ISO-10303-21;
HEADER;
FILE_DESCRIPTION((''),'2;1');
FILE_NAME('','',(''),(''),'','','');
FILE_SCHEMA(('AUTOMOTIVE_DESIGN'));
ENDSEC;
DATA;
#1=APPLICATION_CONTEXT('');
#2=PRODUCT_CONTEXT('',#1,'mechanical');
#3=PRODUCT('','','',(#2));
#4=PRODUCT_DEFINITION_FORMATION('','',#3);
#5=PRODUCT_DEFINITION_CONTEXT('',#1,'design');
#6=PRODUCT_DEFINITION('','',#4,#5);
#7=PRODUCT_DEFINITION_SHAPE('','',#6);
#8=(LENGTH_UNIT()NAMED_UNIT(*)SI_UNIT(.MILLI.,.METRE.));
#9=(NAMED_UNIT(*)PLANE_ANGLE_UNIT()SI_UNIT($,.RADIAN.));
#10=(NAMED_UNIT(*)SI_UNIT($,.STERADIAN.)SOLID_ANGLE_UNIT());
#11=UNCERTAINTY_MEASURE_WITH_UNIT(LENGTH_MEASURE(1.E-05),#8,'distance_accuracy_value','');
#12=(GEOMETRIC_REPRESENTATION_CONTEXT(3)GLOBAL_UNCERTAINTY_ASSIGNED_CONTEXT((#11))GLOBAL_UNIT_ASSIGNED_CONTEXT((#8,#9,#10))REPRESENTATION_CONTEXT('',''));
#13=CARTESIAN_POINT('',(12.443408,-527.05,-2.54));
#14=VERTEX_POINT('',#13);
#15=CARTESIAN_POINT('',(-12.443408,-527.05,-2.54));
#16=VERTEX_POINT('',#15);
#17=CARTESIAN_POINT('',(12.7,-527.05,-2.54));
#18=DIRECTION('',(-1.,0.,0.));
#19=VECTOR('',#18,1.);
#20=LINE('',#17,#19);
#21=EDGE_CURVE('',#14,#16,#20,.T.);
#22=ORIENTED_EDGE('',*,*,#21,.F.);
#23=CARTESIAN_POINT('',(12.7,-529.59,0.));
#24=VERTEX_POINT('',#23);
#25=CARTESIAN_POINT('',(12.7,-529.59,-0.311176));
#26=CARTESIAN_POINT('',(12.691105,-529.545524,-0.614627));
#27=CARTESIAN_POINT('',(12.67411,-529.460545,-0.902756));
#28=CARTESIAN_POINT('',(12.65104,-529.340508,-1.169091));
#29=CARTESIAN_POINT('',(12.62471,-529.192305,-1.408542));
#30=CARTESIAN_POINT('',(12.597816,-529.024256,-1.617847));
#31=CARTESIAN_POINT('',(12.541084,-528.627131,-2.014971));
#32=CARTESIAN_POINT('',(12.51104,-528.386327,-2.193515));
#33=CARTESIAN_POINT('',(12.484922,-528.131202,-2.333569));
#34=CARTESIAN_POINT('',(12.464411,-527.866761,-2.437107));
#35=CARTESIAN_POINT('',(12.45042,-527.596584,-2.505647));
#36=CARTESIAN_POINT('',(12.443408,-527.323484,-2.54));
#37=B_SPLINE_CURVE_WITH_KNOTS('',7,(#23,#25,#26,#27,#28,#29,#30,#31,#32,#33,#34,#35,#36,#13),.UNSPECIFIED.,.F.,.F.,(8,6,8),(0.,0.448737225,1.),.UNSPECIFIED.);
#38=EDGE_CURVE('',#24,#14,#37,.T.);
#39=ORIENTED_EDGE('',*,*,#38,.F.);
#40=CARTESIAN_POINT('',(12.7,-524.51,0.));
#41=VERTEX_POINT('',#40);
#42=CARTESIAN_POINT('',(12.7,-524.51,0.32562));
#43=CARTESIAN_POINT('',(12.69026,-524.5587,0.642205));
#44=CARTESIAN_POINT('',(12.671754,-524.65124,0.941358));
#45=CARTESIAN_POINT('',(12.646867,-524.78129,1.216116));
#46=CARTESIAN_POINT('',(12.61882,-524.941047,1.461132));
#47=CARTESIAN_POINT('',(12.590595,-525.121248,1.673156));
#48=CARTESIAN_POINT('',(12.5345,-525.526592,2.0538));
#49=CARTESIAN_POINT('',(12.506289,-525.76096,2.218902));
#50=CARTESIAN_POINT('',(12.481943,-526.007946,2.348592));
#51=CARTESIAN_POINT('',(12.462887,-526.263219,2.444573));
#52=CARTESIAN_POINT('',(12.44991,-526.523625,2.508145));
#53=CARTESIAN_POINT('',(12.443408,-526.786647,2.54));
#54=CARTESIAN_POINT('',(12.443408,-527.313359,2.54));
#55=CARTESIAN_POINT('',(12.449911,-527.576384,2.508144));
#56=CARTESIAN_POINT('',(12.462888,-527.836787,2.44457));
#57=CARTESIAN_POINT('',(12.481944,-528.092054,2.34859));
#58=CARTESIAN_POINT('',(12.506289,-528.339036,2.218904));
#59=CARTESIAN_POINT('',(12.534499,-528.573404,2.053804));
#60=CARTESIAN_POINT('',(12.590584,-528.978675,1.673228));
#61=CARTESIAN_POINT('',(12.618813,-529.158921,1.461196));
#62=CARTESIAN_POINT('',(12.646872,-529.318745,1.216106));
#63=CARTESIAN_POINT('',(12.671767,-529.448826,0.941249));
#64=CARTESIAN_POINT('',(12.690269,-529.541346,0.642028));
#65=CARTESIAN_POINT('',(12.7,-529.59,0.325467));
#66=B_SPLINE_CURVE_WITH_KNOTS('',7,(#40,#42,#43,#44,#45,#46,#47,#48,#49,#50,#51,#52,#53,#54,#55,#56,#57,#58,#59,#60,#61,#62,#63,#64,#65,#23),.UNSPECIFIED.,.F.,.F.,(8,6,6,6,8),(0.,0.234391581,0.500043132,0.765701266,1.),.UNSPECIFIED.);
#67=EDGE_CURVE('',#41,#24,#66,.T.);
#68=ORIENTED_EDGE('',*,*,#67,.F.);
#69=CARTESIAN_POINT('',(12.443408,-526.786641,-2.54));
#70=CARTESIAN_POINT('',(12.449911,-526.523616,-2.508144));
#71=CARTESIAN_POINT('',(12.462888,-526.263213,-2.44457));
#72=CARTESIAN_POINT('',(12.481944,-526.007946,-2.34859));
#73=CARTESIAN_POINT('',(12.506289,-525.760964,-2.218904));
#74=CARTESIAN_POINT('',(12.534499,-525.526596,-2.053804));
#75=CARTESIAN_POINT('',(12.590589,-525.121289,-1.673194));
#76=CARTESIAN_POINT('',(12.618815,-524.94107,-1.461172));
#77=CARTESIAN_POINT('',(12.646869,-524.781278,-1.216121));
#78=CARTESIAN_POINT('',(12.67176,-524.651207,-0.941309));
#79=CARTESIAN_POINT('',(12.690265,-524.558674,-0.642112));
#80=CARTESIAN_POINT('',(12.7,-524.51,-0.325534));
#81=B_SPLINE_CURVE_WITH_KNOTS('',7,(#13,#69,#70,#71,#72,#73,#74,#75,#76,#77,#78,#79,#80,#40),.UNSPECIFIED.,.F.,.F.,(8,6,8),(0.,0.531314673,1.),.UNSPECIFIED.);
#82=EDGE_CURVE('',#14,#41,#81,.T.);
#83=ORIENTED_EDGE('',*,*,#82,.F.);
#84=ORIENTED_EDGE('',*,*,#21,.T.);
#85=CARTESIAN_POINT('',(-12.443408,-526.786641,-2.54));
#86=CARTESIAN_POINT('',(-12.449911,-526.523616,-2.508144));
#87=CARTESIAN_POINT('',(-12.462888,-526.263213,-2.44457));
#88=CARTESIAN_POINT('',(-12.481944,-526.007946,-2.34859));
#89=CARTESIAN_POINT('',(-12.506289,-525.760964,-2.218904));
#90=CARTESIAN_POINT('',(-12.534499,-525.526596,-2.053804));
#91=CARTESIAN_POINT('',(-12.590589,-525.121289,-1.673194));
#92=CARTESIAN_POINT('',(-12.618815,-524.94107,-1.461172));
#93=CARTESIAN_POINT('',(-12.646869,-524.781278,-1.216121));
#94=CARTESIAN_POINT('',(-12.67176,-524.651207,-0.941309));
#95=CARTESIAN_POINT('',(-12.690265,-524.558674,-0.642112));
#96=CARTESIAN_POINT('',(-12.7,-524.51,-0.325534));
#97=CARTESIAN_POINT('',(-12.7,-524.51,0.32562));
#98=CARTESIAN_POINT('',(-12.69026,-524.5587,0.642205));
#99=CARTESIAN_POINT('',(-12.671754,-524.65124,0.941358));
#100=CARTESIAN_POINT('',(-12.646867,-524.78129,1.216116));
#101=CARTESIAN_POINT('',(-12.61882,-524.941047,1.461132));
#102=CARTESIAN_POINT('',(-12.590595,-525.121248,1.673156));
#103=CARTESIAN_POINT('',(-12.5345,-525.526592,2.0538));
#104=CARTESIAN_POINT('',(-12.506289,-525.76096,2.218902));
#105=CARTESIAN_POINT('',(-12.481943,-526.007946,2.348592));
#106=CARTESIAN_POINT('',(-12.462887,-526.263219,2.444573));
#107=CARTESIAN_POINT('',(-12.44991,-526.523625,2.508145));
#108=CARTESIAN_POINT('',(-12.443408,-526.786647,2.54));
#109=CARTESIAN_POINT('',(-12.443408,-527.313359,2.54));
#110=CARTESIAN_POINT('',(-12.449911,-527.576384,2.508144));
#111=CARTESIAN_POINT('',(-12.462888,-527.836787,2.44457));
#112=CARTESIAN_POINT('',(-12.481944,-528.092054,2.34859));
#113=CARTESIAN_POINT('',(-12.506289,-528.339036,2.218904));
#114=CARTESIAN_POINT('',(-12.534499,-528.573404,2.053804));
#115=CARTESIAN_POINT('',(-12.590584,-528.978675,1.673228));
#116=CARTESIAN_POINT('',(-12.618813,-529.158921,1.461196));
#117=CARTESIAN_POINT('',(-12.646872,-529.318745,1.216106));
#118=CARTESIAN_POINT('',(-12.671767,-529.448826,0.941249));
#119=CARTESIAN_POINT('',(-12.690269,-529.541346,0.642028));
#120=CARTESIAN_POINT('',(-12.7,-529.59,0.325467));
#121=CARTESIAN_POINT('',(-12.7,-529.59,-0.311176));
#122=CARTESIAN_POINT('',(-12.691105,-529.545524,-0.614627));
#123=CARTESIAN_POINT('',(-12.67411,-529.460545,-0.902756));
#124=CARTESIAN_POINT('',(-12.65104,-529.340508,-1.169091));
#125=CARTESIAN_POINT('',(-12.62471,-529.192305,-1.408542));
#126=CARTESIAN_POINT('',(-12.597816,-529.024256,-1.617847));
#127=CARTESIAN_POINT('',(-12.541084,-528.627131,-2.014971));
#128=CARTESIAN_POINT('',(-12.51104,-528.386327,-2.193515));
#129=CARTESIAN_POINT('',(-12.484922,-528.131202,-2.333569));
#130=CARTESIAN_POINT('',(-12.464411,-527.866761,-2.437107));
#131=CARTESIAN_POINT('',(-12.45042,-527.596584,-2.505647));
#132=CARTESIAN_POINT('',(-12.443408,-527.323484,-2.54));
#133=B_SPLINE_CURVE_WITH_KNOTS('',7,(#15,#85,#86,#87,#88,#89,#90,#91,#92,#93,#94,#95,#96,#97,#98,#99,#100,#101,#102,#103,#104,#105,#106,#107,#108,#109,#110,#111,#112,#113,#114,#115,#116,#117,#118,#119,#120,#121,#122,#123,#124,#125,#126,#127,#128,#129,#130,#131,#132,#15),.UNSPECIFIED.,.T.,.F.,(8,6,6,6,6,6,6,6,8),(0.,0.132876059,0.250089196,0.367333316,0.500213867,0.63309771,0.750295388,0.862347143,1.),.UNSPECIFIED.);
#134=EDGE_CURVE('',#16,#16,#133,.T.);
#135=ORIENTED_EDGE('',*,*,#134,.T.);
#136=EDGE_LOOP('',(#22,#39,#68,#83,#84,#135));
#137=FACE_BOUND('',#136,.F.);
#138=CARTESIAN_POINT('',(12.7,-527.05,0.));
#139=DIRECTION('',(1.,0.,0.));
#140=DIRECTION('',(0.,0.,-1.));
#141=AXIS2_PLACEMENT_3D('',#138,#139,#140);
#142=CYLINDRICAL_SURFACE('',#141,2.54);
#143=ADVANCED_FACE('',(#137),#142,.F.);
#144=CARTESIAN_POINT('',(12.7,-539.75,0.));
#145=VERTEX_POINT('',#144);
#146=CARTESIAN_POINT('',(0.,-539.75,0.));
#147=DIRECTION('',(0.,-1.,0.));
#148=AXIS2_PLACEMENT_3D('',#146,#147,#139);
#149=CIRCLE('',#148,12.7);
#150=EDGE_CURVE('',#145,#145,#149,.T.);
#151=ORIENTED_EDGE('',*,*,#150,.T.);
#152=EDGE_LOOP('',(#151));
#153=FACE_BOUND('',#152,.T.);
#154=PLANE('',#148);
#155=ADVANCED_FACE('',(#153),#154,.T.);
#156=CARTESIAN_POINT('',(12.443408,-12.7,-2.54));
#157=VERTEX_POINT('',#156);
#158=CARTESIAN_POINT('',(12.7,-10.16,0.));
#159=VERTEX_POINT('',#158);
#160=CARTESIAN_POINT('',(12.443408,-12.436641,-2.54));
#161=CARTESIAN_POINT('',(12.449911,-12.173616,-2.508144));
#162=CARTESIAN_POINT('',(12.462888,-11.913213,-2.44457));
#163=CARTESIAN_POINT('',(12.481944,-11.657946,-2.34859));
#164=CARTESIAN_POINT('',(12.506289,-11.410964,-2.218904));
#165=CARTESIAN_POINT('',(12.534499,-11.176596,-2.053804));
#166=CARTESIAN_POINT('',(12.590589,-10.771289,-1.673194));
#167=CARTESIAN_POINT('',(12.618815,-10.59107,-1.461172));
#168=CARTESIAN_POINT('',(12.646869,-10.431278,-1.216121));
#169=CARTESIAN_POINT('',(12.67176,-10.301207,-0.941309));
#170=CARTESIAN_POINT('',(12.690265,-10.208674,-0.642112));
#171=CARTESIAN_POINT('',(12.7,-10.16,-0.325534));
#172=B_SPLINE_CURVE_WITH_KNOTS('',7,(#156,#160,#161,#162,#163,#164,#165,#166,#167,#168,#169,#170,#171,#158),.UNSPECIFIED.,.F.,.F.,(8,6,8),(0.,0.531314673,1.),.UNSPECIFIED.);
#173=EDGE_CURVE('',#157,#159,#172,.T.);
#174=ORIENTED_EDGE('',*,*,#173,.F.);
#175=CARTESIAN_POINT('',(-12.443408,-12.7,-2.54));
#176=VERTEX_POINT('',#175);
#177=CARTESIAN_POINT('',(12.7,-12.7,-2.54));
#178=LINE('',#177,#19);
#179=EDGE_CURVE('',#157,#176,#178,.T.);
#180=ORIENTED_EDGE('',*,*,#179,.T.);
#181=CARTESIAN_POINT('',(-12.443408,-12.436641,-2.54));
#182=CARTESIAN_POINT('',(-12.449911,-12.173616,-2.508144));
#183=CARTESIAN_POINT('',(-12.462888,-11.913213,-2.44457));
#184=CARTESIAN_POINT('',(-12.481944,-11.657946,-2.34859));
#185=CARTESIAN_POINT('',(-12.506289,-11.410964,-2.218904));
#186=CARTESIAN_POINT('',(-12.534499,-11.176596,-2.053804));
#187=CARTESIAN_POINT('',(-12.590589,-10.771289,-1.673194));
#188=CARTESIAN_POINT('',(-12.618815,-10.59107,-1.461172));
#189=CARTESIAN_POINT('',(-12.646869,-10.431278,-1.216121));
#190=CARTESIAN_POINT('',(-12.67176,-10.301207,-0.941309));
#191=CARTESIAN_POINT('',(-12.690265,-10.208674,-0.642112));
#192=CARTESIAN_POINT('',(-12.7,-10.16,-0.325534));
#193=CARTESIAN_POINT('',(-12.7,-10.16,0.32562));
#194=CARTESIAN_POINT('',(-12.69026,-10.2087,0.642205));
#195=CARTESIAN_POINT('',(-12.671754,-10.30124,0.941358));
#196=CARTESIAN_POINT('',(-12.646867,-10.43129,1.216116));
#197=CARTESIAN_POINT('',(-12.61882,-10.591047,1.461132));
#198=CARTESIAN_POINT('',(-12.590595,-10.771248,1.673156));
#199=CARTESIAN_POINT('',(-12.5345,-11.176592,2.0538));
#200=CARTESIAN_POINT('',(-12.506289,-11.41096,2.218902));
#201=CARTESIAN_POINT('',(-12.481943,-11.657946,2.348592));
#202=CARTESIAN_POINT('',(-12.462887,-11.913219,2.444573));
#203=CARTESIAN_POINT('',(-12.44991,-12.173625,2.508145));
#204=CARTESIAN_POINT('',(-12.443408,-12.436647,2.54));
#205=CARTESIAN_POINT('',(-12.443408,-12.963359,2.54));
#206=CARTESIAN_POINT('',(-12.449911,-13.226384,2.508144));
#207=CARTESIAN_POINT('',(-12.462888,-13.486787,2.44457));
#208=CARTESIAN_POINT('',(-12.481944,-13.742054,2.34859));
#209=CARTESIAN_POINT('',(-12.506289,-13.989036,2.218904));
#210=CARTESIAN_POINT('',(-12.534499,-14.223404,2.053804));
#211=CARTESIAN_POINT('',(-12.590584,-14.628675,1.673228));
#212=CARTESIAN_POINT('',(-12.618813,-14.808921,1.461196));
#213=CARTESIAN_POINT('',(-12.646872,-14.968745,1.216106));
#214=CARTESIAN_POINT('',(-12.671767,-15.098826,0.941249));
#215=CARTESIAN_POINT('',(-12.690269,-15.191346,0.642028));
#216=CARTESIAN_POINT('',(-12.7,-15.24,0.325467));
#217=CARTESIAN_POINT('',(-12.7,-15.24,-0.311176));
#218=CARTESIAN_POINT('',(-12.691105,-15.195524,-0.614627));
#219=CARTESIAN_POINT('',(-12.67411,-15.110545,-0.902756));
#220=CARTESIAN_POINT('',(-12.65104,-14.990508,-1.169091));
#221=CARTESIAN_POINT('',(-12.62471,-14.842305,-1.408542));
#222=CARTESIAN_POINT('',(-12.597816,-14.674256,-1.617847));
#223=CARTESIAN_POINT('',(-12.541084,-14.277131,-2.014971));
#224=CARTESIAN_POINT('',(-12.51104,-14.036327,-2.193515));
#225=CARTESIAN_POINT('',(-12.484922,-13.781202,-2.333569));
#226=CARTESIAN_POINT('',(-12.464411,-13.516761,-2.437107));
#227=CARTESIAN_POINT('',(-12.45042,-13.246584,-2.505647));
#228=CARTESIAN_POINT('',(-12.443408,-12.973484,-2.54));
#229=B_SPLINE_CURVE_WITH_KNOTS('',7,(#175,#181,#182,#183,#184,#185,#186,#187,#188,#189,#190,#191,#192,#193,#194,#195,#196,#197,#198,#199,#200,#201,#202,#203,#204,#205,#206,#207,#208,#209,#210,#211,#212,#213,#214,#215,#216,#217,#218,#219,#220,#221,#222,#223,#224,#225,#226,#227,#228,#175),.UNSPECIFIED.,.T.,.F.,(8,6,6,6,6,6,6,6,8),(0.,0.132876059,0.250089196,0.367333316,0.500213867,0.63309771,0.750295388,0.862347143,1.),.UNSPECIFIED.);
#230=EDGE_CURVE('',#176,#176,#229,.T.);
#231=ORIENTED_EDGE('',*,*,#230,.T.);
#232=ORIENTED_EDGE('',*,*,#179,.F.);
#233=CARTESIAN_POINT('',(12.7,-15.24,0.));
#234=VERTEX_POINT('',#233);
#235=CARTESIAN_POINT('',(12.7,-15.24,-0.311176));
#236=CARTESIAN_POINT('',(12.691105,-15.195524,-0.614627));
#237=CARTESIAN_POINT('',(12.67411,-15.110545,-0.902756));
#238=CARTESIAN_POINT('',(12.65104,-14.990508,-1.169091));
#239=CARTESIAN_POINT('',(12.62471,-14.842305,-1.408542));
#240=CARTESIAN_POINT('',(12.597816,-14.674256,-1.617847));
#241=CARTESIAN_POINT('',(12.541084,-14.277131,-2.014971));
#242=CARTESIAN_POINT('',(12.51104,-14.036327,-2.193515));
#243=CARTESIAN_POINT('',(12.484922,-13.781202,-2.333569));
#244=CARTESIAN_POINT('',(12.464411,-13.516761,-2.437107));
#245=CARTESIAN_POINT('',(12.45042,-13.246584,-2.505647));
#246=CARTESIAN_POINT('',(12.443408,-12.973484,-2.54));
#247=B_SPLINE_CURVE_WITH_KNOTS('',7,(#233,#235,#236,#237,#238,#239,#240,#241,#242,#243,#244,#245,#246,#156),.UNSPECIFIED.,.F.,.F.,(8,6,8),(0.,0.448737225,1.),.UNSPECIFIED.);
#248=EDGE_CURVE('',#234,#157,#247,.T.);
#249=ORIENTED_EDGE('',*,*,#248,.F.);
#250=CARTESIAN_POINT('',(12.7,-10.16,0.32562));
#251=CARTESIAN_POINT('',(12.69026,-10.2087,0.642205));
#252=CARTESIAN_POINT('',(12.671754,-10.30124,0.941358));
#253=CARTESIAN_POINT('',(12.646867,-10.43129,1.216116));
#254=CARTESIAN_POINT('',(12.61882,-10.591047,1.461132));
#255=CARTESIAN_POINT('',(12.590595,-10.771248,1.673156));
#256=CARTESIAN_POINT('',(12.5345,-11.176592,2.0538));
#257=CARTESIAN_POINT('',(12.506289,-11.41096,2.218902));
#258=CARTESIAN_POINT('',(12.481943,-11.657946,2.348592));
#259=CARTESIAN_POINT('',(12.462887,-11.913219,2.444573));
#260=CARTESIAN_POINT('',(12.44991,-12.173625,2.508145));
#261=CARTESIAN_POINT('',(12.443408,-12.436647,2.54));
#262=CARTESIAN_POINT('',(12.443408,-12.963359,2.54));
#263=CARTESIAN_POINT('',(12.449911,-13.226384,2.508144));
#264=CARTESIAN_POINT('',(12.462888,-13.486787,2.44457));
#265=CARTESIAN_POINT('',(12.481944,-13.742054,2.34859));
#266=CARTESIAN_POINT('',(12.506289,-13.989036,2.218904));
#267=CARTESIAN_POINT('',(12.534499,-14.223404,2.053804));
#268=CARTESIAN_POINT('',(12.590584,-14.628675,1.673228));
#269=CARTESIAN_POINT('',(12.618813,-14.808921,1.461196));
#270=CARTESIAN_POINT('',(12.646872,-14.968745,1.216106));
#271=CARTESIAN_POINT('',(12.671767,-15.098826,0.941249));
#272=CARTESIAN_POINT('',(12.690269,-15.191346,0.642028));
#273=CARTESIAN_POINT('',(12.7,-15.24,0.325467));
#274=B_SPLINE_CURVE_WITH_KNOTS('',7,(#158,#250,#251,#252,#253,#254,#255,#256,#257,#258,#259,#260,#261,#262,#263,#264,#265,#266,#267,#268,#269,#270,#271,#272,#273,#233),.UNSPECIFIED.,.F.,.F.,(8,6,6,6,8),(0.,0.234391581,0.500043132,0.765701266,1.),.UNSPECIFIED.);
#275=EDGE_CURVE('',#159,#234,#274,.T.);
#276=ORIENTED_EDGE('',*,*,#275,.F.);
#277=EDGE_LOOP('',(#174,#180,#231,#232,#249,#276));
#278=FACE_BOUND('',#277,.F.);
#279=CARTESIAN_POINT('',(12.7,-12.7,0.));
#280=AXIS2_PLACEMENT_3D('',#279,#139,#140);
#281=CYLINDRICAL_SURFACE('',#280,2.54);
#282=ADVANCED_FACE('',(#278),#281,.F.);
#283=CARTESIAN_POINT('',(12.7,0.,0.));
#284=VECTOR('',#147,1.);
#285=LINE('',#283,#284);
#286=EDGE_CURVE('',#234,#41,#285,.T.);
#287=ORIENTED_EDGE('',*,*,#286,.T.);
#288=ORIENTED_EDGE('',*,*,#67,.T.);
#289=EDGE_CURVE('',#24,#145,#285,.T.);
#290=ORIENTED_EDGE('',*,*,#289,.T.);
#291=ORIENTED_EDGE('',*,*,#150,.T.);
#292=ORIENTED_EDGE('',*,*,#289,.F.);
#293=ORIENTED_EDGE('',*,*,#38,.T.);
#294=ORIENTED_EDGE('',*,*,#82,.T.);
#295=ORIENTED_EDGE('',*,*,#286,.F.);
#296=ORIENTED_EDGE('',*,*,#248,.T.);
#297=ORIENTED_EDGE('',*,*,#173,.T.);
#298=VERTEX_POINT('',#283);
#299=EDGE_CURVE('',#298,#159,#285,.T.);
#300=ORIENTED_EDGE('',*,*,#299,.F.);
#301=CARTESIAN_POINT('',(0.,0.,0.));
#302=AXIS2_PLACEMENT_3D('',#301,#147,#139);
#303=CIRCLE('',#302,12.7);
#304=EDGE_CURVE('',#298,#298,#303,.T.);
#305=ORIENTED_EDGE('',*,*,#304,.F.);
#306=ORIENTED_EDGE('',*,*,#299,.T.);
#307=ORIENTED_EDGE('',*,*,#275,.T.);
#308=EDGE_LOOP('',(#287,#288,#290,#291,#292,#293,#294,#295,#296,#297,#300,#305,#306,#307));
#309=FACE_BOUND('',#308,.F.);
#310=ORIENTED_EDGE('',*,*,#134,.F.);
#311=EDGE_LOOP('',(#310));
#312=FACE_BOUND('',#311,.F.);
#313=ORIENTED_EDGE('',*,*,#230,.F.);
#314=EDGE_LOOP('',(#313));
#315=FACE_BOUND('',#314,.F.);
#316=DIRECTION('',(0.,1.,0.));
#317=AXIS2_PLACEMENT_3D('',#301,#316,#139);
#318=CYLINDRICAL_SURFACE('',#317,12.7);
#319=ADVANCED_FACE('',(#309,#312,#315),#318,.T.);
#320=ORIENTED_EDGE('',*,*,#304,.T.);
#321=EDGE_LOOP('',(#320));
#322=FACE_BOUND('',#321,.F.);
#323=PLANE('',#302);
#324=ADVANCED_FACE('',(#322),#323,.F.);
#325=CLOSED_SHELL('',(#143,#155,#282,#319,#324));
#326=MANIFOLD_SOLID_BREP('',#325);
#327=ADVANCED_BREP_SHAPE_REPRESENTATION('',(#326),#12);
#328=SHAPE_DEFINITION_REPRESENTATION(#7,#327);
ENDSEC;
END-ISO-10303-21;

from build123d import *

# Parameters (mm, degrees)
CYLINDER_R             = 12.7
CYLINDER_DEPTH         = 539.75
CYLINDER_ROLL_ANGLE    = 90
BASEFEATURE_ROLL_ANGLE = -90
SKETCH_R               = 2.54
POCKET_DEPTH           = 25.401
BODY_ROLL_ANGLE        = 90


with BuildPart() as part:
    # Cylinder → Cylinder (new body)
    with BuildSketch(Plane.XY):
        Circle(CYLINDER_R)
    extrude(amount=CYLINDER_DEPTH)


with BuildPart() as part_1:
    # Cylinder roll: moved
    add(part.part.rotate(Axis((0, 0, 0), (1, 0, 0)), CYLINDER_ROLL_ANGLE))


with BuildPart() as part_2:
    # Cylinder placement: moved
    add(part_1.part)


with BuildPart() as part_3:
    # BaseFeature roll: moved
    add(part_2.part.rotate(Axis((0, 0, 0), (1, 0, 0)), BASEFEATURE_ROLL_ANGLE))


with BuildPart() as part_4:
    # BaseFeature placement: moved
    add(part_3.part)

    # Sketch (on DatumPlane) → Pocket (cut, through all)
    with BuildSketch(Plane(origin=(12.7, 0, 269.875), x_dir=(0, -1, 0), z_dir=(1, 0, 0))):
        with Locations((0, -257.175)):
            Circle(SKETCH_R)
        with Locations((0, 257.175)):
            Circle(SKETCH_R)
    extrude(amount=-POCKET_DEPTH, mode=Mode.SUBTRACT)


with BuildPart() as part_5:
    # Body roll: moved
    add(part_4.part.rotate(Axis((0, 0, 0), (1, 0, 0)), BODY_ROLL_ANGLE))


with BuildPart() as part_6:
    # Body placement: moved
    add(part_5.part)


solid = part_6.part
